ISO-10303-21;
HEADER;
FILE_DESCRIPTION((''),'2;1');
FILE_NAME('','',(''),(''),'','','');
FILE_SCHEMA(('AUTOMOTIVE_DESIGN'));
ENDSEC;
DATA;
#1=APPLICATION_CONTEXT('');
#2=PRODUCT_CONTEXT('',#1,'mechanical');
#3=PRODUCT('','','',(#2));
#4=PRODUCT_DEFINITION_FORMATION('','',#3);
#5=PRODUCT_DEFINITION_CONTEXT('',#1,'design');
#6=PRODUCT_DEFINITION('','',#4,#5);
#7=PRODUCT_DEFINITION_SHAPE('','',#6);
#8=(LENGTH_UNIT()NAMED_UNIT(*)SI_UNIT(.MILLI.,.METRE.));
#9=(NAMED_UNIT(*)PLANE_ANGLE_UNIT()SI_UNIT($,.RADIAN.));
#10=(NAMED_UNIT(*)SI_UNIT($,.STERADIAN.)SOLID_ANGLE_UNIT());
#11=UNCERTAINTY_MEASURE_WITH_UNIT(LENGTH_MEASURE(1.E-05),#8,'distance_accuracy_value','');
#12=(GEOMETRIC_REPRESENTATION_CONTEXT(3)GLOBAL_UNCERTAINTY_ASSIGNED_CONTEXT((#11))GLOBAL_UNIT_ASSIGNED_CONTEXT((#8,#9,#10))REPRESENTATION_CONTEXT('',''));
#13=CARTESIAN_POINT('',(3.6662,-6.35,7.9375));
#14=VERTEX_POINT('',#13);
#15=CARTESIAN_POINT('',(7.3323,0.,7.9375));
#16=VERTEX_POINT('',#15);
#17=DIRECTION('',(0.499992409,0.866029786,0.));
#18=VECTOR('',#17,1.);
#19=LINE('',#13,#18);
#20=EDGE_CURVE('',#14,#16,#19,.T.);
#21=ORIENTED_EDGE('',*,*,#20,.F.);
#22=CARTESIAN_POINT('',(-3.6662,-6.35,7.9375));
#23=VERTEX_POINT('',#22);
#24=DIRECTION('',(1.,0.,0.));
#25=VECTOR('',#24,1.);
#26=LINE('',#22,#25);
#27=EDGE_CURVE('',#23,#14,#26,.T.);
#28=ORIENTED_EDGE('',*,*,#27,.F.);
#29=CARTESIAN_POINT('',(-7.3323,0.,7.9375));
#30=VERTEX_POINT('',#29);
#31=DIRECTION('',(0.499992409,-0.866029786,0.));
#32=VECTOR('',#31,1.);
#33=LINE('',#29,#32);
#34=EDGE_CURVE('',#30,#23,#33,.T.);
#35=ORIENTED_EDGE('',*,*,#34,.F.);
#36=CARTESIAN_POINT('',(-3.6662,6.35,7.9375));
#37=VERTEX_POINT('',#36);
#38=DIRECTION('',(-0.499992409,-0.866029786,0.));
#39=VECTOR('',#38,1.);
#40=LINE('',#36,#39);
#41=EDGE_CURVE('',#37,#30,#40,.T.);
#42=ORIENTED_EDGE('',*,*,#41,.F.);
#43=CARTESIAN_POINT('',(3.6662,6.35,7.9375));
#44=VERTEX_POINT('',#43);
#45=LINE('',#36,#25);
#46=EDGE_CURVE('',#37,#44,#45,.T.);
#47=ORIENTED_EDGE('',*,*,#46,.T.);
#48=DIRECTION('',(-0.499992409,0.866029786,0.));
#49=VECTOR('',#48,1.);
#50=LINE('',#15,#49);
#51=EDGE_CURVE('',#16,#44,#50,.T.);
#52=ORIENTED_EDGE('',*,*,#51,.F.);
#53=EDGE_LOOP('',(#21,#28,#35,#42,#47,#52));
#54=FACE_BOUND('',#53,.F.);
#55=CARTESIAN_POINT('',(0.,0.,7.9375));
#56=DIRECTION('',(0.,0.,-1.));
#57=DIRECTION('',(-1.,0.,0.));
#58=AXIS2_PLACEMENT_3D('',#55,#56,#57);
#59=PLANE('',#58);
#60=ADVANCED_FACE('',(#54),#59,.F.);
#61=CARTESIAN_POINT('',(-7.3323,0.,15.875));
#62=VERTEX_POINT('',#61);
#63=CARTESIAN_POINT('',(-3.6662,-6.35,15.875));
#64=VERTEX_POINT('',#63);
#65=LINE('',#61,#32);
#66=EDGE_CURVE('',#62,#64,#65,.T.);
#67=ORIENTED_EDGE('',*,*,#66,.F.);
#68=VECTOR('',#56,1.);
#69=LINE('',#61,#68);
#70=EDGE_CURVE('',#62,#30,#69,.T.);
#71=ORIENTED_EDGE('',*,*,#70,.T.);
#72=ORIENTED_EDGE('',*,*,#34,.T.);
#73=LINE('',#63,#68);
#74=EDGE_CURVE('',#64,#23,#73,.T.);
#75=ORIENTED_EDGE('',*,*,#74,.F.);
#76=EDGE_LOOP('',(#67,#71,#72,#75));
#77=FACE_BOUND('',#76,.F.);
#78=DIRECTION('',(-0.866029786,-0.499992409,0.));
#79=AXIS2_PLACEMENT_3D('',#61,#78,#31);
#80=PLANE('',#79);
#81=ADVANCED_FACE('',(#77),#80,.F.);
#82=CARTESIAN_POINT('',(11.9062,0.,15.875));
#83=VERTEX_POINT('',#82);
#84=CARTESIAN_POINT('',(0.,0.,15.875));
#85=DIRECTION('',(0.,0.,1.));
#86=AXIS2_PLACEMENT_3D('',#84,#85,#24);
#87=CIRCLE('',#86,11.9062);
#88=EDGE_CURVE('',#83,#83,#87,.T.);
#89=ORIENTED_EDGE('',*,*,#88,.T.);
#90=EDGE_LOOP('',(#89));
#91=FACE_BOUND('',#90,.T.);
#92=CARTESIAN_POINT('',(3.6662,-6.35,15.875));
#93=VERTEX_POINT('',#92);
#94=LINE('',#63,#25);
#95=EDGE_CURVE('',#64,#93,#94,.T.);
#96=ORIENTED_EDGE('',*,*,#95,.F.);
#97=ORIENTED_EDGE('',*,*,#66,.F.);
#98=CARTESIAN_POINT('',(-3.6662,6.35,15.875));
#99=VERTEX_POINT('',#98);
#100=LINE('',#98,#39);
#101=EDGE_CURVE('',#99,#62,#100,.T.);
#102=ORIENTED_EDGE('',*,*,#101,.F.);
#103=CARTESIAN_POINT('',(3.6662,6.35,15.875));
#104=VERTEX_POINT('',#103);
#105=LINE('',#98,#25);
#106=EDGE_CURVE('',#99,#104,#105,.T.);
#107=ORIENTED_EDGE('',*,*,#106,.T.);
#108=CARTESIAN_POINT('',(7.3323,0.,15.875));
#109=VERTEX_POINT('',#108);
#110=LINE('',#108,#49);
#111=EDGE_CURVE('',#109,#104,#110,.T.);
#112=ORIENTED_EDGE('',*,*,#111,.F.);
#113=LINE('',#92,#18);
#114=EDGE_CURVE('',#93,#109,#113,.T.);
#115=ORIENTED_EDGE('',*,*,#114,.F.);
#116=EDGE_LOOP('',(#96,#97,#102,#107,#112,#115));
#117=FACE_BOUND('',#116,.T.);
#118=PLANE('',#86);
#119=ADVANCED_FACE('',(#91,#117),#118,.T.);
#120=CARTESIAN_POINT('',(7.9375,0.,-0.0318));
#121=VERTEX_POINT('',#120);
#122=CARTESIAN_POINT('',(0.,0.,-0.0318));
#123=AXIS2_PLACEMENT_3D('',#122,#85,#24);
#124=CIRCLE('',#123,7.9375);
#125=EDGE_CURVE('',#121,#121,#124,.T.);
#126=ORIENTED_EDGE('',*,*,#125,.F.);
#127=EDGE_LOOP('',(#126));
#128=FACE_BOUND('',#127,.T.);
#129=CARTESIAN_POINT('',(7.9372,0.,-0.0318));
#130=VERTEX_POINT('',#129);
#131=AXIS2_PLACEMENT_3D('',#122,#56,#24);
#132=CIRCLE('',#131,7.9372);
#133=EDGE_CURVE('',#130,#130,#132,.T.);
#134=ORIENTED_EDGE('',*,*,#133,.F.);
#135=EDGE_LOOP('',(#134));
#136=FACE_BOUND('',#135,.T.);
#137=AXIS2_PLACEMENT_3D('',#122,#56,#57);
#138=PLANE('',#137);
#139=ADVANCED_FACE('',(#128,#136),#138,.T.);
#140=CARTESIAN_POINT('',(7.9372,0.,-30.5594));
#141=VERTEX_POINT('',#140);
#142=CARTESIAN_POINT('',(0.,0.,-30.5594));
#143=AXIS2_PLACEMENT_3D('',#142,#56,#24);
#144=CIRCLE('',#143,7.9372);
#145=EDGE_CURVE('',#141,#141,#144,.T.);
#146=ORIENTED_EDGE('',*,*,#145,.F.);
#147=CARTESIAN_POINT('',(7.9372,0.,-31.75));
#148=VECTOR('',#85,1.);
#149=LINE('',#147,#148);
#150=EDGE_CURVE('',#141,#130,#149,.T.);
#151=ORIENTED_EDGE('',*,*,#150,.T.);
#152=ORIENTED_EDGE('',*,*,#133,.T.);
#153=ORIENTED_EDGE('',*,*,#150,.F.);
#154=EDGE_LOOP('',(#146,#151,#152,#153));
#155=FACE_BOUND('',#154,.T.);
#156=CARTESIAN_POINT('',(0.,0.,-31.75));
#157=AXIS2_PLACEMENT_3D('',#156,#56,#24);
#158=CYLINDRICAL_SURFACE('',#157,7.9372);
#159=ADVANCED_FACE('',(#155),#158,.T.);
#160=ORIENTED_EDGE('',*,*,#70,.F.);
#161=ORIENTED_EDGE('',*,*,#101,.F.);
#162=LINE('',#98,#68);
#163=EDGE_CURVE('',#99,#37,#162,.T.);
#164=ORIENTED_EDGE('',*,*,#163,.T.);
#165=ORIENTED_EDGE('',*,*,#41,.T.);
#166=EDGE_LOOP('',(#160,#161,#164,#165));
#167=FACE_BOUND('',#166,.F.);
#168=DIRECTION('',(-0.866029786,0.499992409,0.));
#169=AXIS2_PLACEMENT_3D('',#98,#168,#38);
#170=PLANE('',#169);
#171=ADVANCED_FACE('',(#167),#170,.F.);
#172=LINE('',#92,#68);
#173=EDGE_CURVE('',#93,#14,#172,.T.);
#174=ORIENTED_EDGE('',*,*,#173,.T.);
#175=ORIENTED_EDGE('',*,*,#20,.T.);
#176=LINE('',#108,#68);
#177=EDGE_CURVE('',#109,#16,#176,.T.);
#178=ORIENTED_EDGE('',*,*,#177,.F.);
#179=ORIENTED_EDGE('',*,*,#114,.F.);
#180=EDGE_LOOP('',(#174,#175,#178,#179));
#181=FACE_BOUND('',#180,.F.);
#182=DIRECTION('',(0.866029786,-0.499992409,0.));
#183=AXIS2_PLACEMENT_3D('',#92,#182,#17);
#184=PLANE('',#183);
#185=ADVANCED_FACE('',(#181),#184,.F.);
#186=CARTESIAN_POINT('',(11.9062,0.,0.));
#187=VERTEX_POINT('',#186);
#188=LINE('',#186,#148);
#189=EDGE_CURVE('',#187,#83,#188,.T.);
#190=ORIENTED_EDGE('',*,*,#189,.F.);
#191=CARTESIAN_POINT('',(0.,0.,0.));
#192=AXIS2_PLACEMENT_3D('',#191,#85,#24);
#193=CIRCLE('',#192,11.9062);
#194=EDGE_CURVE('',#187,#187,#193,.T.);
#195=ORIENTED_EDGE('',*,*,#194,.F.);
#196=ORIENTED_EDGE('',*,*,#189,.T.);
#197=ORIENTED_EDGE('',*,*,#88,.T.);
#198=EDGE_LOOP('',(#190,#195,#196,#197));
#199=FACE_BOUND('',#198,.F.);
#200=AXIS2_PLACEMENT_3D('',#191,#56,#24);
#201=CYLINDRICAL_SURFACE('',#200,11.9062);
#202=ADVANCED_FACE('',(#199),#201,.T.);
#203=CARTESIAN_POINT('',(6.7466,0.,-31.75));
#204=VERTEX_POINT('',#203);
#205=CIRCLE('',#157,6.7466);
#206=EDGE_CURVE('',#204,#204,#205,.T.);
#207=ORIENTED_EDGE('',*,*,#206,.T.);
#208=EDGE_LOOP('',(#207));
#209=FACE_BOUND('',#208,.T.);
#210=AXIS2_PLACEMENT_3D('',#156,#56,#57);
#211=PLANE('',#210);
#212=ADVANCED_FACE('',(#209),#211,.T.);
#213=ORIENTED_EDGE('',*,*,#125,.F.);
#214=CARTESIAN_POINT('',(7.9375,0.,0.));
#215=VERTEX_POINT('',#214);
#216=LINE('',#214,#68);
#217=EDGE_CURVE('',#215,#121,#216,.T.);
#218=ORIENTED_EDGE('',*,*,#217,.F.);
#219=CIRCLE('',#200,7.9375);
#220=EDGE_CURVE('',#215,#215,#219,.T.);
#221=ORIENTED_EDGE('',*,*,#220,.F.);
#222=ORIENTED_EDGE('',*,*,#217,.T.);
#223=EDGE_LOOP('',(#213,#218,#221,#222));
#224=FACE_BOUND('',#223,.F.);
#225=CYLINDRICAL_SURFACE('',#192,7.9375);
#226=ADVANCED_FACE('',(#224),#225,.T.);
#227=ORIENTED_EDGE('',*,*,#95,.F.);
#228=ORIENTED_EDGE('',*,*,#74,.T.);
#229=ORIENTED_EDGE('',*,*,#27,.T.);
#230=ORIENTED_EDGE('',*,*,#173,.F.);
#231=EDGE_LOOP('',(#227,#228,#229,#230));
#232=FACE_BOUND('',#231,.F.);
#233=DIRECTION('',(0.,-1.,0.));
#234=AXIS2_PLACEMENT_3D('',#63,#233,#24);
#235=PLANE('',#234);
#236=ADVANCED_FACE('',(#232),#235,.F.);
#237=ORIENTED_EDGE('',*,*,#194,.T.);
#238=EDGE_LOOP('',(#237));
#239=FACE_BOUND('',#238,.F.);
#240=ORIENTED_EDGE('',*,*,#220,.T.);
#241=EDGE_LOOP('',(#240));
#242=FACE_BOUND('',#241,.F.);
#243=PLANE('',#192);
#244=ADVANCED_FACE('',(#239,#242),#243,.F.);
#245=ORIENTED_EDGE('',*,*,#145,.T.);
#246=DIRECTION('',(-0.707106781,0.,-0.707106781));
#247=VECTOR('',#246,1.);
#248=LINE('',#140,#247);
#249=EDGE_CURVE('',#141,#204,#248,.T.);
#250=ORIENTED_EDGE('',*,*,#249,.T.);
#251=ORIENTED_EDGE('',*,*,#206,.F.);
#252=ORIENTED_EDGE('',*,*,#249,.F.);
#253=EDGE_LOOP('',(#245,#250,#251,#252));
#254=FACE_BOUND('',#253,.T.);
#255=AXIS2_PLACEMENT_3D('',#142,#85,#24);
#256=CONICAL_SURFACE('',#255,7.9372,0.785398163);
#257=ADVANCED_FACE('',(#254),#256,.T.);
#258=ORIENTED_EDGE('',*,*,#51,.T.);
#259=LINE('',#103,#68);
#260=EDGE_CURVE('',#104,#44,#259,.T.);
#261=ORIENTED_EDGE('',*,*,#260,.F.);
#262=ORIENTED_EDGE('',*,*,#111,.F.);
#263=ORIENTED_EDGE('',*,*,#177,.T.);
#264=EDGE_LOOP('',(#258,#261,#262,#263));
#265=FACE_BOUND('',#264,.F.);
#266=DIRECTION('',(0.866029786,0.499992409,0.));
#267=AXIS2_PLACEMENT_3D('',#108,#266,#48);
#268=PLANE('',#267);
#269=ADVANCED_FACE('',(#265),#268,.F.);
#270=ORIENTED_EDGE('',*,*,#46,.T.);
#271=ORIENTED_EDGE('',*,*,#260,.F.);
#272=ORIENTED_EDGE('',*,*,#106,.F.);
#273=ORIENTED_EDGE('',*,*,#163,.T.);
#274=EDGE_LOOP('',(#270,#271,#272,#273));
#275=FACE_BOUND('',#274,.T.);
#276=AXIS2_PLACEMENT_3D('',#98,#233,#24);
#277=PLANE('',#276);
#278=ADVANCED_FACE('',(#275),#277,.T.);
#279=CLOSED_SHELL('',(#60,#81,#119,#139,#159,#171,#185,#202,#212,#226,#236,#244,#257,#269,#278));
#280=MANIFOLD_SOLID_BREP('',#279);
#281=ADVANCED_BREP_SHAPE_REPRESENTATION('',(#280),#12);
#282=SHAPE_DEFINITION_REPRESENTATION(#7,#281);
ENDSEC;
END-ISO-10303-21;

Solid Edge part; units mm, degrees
sketch "Sketch1" plane through (0, 0, 0) normal (0, 0, 1) x (1, 0, 0)
  circle A0 centre (0, 0) radius 11.9062
  dimension "D1" = 23.8125
extrude "Protrusion1" add sketch "Sketch1" along normal blind 15.875
sketch "Sketch2" plane through (0, 0, 0) normal (0, 0, -1) x (1, 0, 0)
  circle A0 centre (0, 0) radius 7.9375
extrude "Protrusion2" add sketch "Sketch2" along normal blind 31.75
sketch "Sketch3" plane through (0, 0, -31.75) normal (0, 0, -1) x (1, 0, 0)
  circle A0 centre (0, 0) radius 7.9372
extrude "Cutout1" cut sketch "Sketch3" against normal blind 31.7182 flip side to cut
chamfer "Chamfer_1" distance 1.1906 angle 45 1 edges at (-7.9372, 0, -31.75)
sketch "Sketch4" plane through (0, 0, 15.875) normal (0, 0, 1) x (1, 0, 0)
  line L0 (-3.6662, 6.35) -> (3.6662, 6.35)
  line L1 (7.3323, 0) -> (3.6662, 6.35)
  line L2 (3.6662, -6.35) -> (7.3323, 0)
  line L3 (-3.6662, -6.35) -> (3.6662, -6.35)
  line L4 (-7.3323, 0) -> (-3.6662, -6.35)
  line L5 (-3.6662, 6.35) -> (-7.3323, 0)
  dimension "D1" = 12.7
extrude "Cutout2" cut sketch "Sketch4" against normal blind 7.9375
properties part number "24104686"
